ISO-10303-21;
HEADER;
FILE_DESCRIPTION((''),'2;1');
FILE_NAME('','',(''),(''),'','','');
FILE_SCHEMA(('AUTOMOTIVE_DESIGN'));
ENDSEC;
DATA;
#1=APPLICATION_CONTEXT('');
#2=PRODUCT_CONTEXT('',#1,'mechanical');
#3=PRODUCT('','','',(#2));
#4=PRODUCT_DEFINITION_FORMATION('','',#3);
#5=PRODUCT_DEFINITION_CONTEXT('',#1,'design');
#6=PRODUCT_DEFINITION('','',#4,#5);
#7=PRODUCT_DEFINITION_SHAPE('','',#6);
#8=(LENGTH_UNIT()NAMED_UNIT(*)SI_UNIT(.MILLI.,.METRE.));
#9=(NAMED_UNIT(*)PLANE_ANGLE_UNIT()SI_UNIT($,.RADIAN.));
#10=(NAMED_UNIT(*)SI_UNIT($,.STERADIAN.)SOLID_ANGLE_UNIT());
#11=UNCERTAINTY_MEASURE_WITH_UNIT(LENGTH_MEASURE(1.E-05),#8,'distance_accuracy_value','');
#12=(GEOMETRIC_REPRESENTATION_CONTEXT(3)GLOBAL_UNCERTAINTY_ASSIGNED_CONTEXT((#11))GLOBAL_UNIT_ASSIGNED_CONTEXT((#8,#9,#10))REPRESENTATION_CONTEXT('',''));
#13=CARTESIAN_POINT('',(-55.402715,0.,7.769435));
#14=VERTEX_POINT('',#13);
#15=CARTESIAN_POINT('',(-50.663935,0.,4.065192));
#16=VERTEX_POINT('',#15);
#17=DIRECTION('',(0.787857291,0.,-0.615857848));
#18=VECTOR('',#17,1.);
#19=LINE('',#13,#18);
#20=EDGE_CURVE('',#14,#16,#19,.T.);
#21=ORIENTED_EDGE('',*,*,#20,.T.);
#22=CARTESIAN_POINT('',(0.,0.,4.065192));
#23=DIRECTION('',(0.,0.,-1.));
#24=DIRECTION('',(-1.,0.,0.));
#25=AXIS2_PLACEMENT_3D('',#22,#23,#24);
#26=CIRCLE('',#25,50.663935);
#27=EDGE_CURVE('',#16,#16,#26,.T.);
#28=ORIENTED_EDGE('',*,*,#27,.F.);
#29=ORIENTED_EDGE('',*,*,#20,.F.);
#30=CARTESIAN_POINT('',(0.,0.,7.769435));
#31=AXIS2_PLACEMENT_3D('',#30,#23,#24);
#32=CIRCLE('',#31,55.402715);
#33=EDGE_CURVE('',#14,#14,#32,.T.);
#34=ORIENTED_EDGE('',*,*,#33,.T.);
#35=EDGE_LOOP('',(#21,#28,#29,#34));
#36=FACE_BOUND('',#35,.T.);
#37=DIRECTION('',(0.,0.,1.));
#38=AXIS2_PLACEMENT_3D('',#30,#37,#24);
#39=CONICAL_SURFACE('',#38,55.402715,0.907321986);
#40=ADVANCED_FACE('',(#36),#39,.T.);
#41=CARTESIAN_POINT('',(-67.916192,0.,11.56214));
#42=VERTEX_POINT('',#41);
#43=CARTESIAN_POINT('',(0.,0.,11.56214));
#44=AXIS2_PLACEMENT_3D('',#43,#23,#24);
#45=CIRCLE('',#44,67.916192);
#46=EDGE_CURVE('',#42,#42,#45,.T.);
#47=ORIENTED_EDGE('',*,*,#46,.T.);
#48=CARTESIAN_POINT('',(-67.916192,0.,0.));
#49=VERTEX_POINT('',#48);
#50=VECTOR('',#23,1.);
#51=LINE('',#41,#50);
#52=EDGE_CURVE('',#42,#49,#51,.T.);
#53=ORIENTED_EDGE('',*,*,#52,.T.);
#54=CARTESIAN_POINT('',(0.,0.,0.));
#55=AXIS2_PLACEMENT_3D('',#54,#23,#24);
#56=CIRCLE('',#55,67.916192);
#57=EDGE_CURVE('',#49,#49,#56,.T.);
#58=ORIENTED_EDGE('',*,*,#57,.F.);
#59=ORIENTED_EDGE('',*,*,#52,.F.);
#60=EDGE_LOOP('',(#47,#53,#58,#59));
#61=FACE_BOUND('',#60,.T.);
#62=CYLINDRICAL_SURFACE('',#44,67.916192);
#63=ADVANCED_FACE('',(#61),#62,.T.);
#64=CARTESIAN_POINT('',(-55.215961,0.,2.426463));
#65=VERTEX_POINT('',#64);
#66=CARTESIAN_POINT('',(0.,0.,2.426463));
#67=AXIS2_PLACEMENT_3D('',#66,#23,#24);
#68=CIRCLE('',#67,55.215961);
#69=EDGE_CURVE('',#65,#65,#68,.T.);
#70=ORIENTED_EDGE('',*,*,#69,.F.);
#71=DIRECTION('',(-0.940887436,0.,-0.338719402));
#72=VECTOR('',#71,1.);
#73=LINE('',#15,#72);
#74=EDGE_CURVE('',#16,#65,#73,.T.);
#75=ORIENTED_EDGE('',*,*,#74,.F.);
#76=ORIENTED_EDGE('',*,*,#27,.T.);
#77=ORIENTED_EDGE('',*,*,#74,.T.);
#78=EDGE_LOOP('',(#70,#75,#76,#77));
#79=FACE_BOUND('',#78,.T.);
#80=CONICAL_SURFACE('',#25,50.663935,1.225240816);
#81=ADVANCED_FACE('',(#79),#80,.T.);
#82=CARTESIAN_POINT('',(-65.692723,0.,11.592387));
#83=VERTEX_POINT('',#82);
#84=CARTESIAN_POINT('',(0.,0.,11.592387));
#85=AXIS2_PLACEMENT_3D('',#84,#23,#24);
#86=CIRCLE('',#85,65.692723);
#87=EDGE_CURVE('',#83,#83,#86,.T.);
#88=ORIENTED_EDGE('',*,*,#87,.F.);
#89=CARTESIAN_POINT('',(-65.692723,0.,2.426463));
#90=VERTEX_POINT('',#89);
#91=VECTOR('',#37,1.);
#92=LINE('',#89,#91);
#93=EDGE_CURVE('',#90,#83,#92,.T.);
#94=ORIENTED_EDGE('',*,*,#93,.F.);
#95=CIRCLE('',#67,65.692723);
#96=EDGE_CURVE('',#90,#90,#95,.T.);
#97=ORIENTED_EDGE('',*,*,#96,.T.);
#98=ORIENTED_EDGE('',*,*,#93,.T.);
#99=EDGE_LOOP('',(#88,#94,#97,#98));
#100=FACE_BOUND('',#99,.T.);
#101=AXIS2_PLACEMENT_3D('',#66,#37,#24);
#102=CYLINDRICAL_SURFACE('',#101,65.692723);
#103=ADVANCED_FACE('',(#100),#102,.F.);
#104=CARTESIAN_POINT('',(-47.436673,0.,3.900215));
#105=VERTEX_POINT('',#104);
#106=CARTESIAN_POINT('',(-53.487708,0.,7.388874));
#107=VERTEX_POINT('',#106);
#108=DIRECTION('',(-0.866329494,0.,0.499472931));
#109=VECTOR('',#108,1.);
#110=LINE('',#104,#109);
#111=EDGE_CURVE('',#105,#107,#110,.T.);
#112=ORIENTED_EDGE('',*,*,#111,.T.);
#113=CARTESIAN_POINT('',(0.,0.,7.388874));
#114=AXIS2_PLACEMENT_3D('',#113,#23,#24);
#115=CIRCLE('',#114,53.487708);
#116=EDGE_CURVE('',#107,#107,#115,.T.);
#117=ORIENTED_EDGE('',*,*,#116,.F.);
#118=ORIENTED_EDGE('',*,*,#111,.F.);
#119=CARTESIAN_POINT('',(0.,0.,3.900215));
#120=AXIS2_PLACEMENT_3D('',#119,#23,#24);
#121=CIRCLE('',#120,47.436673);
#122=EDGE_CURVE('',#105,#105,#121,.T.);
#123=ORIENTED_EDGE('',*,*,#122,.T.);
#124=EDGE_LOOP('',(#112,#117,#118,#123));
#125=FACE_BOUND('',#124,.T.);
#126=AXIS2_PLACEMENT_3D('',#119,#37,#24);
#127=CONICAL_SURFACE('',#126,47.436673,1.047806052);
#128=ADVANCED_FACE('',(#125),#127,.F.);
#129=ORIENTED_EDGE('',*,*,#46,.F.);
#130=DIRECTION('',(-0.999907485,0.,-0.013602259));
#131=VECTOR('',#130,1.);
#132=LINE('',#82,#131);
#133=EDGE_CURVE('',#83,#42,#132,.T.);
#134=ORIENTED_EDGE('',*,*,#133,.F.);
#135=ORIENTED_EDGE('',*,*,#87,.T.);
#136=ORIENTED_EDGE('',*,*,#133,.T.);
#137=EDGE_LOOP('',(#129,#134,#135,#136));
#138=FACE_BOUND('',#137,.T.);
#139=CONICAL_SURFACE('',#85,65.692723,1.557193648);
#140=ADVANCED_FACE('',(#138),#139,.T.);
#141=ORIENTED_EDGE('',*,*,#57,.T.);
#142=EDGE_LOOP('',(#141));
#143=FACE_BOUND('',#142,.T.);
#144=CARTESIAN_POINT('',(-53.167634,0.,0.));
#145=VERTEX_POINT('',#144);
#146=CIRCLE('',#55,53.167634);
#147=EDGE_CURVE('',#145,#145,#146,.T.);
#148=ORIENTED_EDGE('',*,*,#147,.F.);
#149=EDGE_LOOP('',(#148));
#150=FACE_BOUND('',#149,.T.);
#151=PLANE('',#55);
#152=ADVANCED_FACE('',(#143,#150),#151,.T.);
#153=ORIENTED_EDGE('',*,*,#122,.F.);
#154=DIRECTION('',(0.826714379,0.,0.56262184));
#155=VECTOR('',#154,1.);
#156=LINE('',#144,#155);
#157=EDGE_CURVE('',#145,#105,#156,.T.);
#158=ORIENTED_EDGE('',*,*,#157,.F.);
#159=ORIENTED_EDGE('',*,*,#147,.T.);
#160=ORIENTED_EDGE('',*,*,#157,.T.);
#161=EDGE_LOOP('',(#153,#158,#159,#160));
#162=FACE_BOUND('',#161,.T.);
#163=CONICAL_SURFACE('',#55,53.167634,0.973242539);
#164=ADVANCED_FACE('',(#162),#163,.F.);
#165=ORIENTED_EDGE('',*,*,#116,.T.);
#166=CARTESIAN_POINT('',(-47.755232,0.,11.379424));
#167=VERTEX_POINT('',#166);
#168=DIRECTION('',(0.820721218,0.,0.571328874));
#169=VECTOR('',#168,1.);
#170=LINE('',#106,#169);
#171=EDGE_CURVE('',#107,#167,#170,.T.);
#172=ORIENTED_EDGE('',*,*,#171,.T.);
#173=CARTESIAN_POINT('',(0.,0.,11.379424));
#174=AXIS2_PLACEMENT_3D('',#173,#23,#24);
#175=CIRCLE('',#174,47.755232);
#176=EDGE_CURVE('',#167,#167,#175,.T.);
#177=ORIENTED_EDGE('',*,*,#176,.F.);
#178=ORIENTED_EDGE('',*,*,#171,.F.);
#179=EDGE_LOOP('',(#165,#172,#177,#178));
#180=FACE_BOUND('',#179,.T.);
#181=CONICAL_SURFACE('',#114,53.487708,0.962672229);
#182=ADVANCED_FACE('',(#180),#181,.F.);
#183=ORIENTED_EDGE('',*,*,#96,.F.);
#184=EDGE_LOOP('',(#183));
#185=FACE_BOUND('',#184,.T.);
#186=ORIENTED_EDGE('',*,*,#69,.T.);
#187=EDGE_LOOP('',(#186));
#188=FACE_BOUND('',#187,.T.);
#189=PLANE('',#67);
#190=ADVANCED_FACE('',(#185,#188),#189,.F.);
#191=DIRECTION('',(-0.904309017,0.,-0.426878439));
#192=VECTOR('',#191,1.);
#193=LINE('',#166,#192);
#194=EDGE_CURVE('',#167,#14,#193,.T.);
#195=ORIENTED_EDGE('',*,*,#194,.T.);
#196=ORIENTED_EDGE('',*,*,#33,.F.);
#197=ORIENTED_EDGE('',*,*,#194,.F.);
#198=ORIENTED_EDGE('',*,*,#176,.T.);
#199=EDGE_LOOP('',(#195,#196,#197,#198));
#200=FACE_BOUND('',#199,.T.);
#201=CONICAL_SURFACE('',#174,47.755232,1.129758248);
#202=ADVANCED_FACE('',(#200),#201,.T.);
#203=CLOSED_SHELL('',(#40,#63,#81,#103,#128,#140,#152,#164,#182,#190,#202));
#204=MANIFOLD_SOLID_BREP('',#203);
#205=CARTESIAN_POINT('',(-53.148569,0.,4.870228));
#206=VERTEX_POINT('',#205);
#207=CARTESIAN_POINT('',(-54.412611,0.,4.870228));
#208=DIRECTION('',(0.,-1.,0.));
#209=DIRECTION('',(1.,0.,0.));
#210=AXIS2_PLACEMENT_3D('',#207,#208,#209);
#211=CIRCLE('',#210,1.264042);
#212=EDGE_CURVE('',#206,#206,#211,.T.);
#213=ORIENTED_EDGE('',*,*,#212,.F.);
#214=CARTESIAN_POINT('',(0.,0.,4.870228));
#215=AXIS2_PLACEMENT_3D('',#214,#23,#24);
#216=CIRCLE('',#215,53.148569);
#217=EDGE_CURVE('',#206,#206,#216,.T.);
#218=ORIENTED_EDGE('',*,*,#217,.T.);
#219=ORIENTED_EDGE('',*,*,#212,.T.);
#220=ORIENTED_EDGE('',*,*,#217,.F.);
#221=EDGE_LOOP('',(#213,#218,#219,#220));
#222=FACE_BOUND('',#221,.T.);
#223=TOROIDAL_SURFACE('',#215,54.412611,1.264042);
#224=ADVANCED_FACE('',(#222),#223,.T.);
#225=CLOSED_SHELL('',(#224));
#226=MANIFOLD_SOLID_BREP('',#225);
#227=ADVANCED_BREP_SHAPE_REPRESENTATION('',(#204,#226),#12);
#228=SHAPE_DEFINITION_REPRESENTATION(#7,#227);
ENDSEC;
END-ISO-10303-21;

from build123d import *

# Parameters (mm, degrees)
F0_R = 1.264042


with BuildPart() as f1:
    # F0 (on Front) → F1 (revolve)
    with BuildSketch(Plane.XZ):
        Polygon((-65.692723, 11.592387), (-67.916192, 11.56214), (-67.916192, 0), (-53.167634, 0), (-47.436673, 3.900215), (-53.487708, 7.388874), (-47.755232, 11.379424), (-55.402715, 7.769435), (-50.663935, 4.065192), (-55.215961, 2.426463), (-65.692723, 2.426463), align=None)
        with Locations((-54.412611, 4.870228)):
            Circle(F0_R)
    revolve(axis=Axis((0, 0, 11.062643), (0, 0, -1)))


solid = f1.part
